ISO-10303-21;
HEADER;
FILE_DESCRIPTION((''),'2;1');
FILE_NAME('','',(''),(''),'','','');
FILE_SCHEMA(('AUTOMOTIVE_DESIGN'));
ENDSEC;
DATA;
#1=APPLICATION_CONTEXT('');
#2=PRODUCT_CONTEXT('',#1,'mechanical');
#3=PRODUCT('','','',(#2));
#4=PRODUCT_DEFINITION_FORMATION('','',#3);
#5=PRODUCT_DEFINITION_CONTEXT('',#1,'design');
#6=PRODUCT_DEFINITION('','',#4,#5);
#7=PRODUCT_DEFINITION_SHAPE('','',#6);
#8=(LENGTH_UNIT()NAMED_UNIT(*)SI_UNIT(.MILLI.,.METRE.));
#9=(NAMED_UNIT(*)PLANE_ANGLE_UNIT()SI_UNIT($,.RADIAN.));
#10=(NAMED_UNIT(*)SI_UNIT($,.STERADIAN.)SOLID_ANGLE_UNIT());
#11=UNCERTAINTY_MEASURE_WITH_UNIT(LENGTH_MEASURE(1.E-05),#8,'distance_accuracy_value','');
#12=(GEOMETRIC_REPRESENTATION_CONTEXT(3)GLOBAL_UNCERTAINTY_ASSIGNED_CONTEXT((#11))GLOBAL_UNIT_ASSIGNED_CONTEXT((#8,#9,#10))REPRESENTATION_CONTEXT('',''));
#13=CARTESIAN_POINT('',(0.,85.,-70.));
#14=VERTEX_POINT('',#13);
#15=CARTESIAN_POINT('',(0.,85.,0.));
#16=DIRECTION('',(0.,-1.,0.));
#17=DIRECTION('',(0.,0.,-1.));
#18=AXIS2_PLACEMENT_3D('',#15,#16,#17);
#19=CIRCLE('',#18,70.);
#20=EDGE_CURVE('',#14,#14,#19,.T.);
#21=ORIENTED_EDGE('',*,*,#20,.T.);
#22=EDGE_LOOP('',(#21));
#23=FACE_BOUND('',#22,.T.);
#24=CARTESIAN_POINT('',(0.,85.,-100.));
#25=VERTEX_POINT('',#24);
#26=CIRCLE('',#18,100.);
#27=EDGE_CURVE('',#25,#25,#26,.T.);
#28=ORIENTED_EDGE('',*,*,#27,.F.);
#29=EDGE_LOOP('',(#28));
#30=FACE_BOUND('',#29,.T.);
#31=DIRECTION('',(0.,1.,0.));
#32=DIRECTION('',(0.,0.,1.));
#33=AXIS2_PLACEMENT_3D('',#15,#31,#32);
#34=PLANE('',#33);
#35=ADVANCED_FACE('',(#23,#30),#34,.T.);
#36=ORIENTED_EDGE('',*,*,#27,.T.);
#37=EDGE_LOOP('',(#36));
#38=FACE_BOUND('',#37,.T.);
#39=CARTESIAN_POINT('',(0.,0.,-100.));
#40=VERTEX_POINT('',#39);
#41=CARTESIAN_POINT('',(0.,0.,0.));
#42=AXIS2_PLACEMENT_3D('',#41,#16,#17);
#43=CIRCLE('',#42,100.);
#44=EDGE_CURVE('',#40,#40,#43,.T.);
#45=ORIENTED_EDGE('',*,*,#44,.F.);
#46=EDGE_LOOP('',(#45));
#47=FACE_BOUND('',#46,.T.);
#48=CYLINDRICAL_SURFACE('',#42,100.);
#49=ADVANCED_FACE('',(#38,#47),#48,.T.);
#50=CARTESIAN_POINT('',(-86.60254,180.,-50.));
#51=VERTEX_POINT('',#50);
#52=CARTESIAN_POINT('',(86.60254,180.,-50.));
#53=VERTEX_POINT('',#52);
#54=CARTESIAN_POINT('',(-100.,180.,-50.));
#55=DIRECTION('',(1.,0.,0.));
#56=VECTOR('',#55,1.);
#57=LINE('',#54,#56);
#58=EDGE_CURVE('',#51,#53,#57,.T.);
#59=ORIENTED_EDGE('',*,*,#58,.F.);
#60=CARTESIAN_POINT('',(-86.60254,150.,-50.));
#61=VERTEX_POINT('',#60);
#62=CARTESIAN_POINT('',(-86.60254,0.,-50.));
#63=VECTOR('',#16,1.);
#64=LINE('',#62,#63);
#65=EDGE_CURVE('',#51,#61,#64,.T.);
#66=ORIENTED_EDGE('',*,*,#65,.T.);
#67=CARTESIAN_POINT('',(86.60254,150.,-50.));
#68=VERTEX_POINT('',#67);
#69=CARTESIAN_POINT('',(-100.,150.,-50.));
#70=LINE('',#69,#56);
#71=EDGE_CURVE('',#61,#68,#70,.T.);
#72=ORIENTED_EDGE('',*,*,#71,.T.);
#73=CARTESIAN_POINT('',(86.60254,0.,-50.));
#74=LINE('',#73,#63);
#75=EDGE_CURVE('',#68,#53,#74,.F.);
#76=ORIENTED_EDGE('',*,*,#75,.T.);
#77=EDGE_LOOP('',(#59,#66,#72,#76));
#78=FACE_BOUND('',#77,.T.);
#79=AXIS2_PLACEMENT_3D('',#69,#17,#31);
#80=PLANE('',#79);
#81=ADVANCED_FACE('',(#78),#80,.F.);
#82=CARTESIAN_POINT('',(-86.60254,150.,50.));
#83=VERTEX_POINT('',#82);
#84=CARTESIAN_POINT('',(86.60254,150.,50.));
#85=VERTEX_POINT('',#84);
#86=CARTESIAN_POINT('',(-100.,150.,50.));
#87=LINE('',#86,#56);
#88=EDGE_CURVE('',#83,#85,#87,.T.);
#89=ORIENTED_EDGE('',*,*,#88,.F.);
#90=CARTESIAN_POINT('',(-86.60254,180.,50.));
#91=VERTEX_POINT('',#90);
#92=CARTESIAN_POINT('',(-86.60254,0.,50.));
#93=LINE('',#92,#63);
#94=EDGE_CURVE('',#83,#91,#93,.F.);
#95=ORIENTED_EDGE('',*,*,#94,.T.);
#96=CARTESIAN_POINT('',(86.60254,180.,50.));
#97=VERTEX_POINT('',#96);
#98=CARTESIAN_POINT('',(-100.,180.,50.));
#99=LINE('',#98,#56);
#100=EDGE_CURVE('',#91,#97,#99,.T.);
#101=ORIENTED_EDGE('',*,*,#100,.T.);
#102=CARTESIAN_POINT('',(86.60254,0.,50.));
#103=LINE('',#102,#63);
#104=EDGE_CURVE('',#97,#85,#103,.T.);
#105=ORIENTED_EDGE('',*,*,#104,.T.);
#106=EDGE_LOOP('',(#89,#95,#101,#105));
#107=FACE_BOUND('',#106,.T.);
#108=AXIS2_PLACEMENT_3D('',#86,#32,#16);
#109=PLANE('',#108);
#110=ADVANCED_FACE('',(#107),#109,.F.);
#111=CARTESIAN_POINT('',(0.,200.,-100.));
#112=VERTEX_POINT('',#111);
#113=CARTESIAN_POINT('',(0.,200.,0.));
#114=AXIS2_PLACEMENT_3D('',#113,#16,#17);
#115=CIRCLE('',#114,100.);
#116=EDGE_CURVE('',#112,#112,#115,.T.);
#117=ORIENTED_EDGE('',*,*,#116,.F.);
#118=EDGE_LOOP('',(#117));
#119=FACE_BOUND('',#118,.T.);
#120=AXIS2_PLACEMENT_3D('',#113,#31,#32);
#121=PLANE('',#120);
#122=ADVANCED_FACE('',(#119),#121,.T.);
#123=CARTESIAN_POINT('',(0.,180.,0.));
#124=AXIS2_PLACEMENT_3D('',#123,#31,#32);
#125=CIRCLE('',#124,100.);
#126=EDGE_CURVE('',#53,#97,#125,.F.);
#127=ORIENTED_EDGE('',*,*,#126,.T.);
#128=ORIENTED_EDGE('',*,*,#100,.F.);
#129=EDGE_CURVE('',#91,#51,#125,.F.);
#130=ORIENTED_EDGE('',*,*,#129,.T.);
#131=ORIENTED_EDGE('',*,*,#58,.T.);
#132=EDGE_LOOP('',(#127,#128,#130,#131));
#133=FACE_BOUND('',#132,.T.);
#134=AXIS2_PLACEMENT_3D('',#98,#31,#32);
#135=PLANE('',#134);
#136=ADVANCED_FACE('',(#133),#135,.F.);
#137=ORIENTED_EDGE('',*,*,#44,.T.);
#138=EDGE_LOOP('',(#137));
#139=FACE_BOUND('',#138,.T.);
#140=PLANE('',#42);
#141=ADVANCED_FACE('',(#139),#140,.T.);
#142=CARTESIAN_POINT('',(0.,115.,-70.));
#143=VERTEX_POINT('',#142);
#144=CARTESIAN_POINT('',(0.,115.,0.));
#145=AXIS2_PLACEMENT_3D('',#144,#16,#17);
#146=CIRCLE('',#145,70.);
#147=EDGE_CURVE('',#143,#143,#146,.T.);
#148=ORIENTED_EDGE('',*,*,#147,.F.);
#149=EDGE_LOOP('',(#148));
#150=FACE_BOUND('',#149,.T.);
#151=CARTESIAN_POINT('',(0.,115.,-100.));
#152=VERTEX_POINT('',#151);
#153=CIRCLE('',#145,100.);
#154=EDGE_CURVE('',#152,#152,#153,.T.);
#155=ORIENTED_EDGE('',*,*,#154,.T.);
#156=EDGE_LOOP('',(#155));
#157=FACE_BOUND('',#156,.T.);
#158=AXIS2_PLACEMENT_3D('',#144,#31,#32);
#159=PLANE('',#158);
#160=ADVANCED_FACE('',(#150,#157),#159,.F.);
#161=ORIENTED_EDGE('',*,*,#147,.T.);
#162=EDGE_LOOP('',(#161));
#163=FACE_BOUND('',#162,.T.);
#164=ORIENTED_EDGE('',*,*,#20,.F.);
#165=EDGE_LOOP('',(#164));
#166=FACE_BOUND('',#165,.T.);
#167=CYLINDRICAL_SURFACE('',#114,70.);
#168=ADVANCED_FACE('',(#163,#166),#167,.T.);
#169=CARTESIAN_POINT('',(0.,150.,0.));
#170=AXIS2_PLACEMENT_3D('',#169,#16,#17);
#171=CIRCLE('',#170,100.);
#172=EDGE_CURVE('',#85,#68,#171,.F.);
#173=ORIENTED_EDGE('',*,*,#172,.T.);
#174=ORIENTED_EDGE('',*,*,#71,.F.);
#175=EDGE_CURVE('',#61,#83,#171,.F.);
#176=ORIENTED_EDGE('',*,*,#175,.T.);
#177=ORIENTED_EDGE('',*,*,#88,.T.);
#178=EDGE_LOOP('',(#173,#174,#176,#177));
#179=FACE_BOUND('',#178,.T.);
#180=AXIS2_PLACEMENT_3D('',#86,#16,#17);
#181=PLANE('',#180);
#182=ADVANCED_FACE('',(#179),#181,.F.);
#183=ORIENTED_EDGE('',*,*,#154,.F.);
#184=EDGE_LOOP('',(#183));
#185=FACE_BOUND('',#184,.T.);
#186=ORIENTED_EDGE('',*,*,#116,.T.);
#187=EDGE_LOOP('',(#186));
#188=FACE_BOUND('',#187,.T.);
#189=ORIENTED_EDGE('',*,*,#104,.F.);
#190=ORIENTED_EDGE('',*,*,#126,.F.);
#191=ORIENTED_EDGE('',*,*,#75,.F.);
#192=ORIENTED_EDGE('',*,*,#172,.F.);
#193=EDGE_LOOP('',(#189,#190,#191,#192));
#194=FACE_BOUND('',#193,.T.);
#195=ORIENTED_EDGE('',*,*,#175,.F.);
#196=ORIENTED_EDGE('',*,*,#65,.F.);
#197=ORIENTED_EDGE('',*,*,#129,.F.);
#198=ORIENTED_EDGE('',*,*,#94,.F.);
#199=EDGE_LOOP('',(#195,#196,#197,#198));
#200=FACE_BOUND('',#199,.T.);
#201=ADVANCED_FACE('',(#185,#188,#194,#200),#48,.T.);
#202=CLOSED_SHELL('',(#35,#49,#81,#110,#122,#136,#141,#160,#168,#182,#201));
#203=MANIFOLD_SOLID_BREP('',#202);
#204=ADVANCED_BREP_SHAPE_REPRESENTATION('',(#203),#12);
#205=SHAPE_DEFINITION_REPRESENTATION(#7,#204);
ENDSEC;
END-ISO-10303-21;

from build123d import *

# Parameters (mm, degrees)
SKETCH1_W               = 100
SKETCH1_H               = 200
SKETCH2_W               = 30
SKETCH2_H               = 15
SKETCH3_W               = 100
SKETCH3_H               = 30
CUT_EXTRUDE1_DEPTH      = 101
CUT_EXTRUDE1_DEPTH_BACK = 101


with BuildPart() as part:
    # Sketch1 → Revolve1 (revolve)
    with BuildSketch(Plane.XY):
        with Locations((50, 100)):
            Rectangle(SKETCH1_W, SKETCH1_H)
    revolve(axis=Axis((0, 0, 0), (0, 1, 0)))

    # Sketch2 → Cut-Revolve1 (revolve, cut)
    with BuildSketch(Plane(origin=(0, 0, 0), x_dir=(0, 0, -1), z_dir=(1, 0, 0))):
        with Locations((85, 92.5)):
            Rectangle(SKETCH2_W, SKETCH2_H)
        with Locations((85, 107.5)):
            Rectangle(SKETCH2_W, SKETCH2_H)
    revolve(axis=Axis((0, 200, 0), (0, -1, 0)), mode=Mode.SUBTRACT)

    # Sketch3 → Cut-Extrude1 (cut, two sides)
    with BuildSketch(Plane(origin=(0, 0, 0), x_dir=(0, 0, -1), z_dir=(1, 0, 0))) as cut_extrude1_sk:
        with Locations((0, 165)):
            Rectangle(SKETCH3_W, SKETCH3_H)
    extrude(amount=CUT_EXTRUDE1_DEPTH, mode=Mode.SUBTRACT)
    extrude(cut_extrude1_sk.sketch, amount=-CUT_EXTRUDE1_DEPTH_BACK, mode=Mode.SUBTRACT)


solid = part.part
